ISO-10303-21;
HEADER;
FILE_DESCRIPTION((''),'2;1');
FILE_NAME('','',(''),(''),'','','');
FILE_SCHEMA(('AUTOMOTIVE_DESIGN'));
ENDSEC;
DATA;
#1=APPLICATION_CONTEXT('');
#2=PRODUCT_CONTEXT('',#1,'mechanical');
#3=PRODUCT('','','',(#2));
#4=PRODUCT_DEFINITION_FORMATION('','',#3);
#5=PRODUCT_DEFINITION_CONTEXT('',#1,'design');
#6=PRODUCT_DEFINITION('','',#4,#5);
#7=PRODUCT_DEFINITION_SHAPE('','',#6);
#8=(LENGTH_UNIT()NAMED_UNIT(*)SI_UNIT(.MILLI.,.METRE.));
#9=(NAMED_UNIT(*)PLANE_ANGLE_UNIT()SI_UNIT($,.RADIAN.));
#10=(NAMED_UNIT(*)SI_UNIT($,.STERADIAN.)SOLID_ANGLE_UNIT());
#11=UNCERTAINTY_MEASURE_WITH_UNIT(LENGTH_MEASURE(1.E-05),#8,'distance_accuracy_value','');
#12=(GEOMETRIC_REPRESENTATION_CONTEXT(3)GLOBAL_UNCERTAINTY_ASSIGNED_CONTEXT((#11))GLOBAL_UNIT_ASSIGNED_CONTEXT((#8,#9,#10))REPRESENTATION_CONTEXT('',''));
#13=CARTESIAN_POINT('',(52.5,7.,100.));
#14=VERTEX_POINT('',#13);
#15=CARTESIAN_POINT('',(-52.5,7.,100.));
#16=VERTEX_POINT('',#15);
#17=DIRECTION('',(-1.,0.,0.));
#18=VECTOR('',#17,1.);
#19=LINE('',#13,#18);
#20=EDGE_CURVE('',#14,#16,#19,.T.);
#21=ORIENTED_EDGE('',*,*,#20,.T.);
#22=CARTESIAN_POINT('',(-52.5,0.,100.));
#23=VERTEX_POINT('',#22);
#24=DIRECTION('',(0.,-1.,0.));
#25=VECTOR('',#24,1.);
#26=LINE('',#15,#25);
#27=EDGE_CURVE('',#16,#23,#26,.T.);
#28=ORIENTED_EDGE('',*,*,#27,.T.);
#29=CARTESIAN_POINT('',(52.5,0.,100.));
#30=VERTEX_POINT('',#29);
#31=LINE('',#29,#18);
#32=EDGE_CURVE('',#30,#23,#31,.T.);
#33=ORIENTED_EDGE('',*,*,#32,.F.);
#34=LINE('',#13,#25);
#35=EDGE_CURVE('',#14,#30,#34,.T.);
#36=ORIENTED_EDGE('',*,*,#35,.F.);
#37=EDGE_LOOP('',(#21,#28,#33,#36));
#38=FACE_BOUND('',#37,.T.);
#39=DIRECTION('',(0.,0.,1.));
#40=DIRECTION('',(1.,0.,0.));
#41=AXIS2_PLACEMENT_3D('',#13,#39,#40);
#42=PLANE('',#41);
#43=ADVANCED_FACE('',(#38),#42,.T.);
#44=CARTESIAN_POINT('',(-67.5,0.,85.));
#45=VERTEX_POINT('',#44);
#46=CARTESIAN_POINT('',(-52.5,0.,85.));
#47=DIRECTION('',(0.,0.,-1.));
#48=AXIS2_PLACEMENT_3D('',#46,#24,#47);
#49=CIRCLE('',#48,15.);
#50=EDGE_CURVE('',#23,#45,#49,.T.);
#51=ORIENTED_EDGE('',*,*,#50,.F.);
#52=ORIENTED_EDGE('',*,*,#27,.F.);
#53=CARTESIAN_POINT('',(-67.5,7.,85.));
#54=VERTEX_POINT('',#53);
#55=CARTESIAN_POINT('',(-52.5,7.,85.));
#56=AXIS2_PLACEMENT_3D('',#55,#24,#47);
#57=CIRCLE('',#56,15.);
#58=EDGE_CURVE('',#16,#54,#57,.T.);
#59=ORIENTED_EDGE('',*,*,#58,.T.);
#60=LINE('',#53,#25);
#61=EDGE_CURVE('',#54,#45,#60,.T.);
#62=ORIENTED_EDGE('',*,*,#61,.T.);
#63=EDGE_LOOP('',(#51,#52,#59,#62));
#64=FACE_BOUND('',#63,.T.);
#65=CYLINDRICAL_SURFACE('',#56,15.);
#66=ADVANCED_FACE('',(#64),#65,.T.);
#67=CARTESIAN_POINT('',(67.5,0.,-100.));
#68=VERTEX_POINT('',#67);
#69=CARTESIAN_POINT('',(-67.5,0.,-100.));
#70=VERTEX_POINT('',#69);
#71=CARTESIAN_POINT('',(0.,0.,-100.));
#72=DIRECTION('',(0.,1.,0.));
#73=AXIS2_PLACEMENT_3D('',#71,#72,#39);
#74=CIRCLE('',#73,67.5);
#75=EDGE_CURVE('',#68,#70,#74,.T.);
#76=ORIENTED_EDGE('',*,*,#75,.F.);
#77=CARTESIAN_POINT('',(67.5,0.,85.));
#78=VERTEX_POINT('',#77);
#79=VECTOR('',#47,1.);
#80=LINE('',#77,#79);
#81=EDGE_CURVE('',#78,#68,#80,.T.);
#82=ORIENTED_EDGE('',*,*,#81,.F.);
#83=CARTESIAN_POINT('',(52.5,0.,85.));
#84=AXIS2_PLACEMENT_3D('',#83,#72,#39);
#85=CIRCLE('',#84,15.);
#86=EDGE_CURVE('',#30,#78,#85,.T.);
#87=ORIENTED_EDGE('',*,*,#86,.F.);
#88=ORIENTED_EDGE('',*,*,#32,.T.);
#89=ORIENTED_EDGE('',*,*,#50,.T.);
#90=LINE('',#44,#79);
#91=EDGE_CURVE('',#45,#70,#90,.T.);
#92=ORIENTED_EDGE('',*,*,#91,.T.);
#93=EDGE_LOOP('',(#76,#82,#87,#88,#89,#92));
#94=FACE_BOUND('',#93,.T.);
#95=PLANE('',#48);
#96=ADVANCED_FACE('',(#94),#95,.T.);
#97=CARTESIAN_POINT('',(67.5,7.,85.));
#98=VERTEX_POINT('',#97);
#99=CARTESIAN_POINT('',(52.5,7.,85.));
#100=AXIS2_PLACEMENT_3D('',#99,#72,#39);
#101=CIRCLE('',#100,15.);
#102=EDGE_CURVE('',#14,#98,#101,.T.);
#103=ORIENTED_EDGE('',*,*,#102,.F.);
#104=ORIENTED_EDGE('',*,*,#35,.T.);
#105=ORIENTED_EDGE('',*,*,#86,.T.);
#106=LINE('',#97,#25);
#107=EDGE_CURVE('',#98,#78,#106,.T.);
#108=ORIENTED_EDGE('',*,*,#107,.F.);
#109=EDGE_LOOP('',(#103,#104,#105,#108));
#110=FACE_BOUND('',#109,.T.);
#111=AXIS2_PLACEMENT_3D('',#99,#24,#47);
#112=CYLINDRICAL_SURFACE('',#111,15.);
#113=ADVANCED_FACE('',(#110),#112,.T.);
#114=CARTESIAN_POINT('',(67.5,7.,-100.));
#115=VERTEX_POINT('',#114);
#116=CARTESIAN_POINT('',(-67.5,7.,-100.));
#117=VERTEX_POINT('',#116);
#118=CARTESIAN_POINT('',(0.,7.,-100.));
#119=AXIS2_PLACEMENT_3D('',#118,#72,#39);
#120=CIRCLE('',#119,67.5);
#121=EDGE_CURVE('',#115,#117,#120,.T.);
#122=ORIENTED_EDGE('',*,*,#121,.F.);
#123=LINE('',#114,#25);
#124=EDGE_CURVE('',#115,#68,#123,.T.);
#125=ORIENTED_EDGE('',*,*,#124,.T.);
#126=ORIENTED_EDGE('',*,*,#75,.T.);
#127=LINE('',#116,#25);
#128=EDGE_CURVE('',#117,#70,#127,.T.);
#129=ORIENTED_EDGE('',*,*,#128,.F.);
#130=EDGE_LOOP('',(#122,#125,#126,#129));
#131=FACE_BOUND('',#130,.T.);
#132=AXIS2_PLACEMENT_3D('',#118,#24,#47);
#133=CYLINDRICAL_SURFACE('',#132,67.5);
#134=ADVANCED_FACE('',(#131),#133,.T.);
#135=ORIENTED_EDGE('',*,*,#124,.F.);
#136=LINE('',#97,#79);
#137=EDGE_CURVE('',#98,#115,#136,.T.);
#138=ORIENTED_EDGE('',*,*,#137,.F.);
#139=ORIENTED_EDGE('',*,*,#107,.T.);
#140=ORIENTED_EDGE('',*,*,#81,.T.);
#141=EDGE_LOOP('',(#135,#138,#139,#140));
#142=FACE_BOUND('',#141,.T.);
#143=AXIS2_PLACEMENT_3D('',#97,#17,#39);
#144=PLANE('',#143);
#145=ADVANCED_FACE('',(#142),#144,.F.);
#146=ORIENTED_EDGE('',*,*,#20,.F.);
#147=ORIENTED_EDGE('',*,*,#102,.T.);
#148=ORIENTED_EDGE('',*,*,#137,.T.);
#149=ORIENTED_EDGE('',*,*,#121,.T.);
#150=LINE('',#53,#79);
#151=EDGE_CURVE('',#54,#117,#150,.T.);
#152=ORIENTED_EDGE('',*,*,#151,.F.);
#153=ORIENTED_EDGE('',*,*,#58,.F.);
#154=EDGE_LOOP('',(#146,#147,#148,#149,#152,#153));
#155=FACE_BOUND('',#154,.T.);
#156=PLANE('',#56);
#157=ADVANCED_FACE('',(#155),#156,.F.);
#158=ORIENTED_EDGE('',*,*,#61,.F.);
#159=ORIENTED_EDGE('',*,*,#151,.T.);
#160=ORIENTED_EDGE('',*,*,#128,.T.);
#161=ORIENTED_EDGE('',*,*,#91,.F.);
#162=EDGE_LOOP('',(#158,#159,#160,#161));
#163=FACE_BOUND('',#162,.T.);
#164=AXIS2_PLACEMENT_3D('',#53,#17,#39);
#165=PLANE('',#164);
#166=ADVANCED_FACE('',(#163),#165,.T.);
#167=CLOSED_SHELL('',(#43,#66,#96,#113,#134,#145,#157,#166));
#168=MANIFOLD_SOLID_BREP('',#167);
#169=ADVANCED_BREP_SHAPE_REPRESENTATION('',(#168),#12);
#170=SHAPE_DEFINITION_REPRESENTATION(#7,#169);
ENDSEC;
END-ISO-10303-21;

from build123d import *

# Parameters (mm, degrees)
BOSS_EXTRUDE1_DEPTH = 7


with BuildPart() as part:
    # Sketch1 → Boss-Extrude1 (new body)
    with BuildSketch(Plane(origin=(0, 0, 0), x_dir=(1, 0, 0), z_dir=(0, 1, 0))):
        with BuildLine():
            Line((52.5, -100), (-52.5, -100))
            ThreePointArc((-52.5, -100), (-63.106601718, -95.606601718), (-67.5, -85))
            Line((-67.5, -85), (-67.5, 100))
            ThreePointArc((-67.5, 100), (0, 167.5), (67.5, 100))
            Line((67.5, 100), (67.5, -85))
            ThreePointArc((67.5, -85), (63.106601718, -95.606601718), (52.5, -100))
        make_face()
    extrude(amount=BOSS_EXTRUDE1_DEPTH)


solid = part.part
